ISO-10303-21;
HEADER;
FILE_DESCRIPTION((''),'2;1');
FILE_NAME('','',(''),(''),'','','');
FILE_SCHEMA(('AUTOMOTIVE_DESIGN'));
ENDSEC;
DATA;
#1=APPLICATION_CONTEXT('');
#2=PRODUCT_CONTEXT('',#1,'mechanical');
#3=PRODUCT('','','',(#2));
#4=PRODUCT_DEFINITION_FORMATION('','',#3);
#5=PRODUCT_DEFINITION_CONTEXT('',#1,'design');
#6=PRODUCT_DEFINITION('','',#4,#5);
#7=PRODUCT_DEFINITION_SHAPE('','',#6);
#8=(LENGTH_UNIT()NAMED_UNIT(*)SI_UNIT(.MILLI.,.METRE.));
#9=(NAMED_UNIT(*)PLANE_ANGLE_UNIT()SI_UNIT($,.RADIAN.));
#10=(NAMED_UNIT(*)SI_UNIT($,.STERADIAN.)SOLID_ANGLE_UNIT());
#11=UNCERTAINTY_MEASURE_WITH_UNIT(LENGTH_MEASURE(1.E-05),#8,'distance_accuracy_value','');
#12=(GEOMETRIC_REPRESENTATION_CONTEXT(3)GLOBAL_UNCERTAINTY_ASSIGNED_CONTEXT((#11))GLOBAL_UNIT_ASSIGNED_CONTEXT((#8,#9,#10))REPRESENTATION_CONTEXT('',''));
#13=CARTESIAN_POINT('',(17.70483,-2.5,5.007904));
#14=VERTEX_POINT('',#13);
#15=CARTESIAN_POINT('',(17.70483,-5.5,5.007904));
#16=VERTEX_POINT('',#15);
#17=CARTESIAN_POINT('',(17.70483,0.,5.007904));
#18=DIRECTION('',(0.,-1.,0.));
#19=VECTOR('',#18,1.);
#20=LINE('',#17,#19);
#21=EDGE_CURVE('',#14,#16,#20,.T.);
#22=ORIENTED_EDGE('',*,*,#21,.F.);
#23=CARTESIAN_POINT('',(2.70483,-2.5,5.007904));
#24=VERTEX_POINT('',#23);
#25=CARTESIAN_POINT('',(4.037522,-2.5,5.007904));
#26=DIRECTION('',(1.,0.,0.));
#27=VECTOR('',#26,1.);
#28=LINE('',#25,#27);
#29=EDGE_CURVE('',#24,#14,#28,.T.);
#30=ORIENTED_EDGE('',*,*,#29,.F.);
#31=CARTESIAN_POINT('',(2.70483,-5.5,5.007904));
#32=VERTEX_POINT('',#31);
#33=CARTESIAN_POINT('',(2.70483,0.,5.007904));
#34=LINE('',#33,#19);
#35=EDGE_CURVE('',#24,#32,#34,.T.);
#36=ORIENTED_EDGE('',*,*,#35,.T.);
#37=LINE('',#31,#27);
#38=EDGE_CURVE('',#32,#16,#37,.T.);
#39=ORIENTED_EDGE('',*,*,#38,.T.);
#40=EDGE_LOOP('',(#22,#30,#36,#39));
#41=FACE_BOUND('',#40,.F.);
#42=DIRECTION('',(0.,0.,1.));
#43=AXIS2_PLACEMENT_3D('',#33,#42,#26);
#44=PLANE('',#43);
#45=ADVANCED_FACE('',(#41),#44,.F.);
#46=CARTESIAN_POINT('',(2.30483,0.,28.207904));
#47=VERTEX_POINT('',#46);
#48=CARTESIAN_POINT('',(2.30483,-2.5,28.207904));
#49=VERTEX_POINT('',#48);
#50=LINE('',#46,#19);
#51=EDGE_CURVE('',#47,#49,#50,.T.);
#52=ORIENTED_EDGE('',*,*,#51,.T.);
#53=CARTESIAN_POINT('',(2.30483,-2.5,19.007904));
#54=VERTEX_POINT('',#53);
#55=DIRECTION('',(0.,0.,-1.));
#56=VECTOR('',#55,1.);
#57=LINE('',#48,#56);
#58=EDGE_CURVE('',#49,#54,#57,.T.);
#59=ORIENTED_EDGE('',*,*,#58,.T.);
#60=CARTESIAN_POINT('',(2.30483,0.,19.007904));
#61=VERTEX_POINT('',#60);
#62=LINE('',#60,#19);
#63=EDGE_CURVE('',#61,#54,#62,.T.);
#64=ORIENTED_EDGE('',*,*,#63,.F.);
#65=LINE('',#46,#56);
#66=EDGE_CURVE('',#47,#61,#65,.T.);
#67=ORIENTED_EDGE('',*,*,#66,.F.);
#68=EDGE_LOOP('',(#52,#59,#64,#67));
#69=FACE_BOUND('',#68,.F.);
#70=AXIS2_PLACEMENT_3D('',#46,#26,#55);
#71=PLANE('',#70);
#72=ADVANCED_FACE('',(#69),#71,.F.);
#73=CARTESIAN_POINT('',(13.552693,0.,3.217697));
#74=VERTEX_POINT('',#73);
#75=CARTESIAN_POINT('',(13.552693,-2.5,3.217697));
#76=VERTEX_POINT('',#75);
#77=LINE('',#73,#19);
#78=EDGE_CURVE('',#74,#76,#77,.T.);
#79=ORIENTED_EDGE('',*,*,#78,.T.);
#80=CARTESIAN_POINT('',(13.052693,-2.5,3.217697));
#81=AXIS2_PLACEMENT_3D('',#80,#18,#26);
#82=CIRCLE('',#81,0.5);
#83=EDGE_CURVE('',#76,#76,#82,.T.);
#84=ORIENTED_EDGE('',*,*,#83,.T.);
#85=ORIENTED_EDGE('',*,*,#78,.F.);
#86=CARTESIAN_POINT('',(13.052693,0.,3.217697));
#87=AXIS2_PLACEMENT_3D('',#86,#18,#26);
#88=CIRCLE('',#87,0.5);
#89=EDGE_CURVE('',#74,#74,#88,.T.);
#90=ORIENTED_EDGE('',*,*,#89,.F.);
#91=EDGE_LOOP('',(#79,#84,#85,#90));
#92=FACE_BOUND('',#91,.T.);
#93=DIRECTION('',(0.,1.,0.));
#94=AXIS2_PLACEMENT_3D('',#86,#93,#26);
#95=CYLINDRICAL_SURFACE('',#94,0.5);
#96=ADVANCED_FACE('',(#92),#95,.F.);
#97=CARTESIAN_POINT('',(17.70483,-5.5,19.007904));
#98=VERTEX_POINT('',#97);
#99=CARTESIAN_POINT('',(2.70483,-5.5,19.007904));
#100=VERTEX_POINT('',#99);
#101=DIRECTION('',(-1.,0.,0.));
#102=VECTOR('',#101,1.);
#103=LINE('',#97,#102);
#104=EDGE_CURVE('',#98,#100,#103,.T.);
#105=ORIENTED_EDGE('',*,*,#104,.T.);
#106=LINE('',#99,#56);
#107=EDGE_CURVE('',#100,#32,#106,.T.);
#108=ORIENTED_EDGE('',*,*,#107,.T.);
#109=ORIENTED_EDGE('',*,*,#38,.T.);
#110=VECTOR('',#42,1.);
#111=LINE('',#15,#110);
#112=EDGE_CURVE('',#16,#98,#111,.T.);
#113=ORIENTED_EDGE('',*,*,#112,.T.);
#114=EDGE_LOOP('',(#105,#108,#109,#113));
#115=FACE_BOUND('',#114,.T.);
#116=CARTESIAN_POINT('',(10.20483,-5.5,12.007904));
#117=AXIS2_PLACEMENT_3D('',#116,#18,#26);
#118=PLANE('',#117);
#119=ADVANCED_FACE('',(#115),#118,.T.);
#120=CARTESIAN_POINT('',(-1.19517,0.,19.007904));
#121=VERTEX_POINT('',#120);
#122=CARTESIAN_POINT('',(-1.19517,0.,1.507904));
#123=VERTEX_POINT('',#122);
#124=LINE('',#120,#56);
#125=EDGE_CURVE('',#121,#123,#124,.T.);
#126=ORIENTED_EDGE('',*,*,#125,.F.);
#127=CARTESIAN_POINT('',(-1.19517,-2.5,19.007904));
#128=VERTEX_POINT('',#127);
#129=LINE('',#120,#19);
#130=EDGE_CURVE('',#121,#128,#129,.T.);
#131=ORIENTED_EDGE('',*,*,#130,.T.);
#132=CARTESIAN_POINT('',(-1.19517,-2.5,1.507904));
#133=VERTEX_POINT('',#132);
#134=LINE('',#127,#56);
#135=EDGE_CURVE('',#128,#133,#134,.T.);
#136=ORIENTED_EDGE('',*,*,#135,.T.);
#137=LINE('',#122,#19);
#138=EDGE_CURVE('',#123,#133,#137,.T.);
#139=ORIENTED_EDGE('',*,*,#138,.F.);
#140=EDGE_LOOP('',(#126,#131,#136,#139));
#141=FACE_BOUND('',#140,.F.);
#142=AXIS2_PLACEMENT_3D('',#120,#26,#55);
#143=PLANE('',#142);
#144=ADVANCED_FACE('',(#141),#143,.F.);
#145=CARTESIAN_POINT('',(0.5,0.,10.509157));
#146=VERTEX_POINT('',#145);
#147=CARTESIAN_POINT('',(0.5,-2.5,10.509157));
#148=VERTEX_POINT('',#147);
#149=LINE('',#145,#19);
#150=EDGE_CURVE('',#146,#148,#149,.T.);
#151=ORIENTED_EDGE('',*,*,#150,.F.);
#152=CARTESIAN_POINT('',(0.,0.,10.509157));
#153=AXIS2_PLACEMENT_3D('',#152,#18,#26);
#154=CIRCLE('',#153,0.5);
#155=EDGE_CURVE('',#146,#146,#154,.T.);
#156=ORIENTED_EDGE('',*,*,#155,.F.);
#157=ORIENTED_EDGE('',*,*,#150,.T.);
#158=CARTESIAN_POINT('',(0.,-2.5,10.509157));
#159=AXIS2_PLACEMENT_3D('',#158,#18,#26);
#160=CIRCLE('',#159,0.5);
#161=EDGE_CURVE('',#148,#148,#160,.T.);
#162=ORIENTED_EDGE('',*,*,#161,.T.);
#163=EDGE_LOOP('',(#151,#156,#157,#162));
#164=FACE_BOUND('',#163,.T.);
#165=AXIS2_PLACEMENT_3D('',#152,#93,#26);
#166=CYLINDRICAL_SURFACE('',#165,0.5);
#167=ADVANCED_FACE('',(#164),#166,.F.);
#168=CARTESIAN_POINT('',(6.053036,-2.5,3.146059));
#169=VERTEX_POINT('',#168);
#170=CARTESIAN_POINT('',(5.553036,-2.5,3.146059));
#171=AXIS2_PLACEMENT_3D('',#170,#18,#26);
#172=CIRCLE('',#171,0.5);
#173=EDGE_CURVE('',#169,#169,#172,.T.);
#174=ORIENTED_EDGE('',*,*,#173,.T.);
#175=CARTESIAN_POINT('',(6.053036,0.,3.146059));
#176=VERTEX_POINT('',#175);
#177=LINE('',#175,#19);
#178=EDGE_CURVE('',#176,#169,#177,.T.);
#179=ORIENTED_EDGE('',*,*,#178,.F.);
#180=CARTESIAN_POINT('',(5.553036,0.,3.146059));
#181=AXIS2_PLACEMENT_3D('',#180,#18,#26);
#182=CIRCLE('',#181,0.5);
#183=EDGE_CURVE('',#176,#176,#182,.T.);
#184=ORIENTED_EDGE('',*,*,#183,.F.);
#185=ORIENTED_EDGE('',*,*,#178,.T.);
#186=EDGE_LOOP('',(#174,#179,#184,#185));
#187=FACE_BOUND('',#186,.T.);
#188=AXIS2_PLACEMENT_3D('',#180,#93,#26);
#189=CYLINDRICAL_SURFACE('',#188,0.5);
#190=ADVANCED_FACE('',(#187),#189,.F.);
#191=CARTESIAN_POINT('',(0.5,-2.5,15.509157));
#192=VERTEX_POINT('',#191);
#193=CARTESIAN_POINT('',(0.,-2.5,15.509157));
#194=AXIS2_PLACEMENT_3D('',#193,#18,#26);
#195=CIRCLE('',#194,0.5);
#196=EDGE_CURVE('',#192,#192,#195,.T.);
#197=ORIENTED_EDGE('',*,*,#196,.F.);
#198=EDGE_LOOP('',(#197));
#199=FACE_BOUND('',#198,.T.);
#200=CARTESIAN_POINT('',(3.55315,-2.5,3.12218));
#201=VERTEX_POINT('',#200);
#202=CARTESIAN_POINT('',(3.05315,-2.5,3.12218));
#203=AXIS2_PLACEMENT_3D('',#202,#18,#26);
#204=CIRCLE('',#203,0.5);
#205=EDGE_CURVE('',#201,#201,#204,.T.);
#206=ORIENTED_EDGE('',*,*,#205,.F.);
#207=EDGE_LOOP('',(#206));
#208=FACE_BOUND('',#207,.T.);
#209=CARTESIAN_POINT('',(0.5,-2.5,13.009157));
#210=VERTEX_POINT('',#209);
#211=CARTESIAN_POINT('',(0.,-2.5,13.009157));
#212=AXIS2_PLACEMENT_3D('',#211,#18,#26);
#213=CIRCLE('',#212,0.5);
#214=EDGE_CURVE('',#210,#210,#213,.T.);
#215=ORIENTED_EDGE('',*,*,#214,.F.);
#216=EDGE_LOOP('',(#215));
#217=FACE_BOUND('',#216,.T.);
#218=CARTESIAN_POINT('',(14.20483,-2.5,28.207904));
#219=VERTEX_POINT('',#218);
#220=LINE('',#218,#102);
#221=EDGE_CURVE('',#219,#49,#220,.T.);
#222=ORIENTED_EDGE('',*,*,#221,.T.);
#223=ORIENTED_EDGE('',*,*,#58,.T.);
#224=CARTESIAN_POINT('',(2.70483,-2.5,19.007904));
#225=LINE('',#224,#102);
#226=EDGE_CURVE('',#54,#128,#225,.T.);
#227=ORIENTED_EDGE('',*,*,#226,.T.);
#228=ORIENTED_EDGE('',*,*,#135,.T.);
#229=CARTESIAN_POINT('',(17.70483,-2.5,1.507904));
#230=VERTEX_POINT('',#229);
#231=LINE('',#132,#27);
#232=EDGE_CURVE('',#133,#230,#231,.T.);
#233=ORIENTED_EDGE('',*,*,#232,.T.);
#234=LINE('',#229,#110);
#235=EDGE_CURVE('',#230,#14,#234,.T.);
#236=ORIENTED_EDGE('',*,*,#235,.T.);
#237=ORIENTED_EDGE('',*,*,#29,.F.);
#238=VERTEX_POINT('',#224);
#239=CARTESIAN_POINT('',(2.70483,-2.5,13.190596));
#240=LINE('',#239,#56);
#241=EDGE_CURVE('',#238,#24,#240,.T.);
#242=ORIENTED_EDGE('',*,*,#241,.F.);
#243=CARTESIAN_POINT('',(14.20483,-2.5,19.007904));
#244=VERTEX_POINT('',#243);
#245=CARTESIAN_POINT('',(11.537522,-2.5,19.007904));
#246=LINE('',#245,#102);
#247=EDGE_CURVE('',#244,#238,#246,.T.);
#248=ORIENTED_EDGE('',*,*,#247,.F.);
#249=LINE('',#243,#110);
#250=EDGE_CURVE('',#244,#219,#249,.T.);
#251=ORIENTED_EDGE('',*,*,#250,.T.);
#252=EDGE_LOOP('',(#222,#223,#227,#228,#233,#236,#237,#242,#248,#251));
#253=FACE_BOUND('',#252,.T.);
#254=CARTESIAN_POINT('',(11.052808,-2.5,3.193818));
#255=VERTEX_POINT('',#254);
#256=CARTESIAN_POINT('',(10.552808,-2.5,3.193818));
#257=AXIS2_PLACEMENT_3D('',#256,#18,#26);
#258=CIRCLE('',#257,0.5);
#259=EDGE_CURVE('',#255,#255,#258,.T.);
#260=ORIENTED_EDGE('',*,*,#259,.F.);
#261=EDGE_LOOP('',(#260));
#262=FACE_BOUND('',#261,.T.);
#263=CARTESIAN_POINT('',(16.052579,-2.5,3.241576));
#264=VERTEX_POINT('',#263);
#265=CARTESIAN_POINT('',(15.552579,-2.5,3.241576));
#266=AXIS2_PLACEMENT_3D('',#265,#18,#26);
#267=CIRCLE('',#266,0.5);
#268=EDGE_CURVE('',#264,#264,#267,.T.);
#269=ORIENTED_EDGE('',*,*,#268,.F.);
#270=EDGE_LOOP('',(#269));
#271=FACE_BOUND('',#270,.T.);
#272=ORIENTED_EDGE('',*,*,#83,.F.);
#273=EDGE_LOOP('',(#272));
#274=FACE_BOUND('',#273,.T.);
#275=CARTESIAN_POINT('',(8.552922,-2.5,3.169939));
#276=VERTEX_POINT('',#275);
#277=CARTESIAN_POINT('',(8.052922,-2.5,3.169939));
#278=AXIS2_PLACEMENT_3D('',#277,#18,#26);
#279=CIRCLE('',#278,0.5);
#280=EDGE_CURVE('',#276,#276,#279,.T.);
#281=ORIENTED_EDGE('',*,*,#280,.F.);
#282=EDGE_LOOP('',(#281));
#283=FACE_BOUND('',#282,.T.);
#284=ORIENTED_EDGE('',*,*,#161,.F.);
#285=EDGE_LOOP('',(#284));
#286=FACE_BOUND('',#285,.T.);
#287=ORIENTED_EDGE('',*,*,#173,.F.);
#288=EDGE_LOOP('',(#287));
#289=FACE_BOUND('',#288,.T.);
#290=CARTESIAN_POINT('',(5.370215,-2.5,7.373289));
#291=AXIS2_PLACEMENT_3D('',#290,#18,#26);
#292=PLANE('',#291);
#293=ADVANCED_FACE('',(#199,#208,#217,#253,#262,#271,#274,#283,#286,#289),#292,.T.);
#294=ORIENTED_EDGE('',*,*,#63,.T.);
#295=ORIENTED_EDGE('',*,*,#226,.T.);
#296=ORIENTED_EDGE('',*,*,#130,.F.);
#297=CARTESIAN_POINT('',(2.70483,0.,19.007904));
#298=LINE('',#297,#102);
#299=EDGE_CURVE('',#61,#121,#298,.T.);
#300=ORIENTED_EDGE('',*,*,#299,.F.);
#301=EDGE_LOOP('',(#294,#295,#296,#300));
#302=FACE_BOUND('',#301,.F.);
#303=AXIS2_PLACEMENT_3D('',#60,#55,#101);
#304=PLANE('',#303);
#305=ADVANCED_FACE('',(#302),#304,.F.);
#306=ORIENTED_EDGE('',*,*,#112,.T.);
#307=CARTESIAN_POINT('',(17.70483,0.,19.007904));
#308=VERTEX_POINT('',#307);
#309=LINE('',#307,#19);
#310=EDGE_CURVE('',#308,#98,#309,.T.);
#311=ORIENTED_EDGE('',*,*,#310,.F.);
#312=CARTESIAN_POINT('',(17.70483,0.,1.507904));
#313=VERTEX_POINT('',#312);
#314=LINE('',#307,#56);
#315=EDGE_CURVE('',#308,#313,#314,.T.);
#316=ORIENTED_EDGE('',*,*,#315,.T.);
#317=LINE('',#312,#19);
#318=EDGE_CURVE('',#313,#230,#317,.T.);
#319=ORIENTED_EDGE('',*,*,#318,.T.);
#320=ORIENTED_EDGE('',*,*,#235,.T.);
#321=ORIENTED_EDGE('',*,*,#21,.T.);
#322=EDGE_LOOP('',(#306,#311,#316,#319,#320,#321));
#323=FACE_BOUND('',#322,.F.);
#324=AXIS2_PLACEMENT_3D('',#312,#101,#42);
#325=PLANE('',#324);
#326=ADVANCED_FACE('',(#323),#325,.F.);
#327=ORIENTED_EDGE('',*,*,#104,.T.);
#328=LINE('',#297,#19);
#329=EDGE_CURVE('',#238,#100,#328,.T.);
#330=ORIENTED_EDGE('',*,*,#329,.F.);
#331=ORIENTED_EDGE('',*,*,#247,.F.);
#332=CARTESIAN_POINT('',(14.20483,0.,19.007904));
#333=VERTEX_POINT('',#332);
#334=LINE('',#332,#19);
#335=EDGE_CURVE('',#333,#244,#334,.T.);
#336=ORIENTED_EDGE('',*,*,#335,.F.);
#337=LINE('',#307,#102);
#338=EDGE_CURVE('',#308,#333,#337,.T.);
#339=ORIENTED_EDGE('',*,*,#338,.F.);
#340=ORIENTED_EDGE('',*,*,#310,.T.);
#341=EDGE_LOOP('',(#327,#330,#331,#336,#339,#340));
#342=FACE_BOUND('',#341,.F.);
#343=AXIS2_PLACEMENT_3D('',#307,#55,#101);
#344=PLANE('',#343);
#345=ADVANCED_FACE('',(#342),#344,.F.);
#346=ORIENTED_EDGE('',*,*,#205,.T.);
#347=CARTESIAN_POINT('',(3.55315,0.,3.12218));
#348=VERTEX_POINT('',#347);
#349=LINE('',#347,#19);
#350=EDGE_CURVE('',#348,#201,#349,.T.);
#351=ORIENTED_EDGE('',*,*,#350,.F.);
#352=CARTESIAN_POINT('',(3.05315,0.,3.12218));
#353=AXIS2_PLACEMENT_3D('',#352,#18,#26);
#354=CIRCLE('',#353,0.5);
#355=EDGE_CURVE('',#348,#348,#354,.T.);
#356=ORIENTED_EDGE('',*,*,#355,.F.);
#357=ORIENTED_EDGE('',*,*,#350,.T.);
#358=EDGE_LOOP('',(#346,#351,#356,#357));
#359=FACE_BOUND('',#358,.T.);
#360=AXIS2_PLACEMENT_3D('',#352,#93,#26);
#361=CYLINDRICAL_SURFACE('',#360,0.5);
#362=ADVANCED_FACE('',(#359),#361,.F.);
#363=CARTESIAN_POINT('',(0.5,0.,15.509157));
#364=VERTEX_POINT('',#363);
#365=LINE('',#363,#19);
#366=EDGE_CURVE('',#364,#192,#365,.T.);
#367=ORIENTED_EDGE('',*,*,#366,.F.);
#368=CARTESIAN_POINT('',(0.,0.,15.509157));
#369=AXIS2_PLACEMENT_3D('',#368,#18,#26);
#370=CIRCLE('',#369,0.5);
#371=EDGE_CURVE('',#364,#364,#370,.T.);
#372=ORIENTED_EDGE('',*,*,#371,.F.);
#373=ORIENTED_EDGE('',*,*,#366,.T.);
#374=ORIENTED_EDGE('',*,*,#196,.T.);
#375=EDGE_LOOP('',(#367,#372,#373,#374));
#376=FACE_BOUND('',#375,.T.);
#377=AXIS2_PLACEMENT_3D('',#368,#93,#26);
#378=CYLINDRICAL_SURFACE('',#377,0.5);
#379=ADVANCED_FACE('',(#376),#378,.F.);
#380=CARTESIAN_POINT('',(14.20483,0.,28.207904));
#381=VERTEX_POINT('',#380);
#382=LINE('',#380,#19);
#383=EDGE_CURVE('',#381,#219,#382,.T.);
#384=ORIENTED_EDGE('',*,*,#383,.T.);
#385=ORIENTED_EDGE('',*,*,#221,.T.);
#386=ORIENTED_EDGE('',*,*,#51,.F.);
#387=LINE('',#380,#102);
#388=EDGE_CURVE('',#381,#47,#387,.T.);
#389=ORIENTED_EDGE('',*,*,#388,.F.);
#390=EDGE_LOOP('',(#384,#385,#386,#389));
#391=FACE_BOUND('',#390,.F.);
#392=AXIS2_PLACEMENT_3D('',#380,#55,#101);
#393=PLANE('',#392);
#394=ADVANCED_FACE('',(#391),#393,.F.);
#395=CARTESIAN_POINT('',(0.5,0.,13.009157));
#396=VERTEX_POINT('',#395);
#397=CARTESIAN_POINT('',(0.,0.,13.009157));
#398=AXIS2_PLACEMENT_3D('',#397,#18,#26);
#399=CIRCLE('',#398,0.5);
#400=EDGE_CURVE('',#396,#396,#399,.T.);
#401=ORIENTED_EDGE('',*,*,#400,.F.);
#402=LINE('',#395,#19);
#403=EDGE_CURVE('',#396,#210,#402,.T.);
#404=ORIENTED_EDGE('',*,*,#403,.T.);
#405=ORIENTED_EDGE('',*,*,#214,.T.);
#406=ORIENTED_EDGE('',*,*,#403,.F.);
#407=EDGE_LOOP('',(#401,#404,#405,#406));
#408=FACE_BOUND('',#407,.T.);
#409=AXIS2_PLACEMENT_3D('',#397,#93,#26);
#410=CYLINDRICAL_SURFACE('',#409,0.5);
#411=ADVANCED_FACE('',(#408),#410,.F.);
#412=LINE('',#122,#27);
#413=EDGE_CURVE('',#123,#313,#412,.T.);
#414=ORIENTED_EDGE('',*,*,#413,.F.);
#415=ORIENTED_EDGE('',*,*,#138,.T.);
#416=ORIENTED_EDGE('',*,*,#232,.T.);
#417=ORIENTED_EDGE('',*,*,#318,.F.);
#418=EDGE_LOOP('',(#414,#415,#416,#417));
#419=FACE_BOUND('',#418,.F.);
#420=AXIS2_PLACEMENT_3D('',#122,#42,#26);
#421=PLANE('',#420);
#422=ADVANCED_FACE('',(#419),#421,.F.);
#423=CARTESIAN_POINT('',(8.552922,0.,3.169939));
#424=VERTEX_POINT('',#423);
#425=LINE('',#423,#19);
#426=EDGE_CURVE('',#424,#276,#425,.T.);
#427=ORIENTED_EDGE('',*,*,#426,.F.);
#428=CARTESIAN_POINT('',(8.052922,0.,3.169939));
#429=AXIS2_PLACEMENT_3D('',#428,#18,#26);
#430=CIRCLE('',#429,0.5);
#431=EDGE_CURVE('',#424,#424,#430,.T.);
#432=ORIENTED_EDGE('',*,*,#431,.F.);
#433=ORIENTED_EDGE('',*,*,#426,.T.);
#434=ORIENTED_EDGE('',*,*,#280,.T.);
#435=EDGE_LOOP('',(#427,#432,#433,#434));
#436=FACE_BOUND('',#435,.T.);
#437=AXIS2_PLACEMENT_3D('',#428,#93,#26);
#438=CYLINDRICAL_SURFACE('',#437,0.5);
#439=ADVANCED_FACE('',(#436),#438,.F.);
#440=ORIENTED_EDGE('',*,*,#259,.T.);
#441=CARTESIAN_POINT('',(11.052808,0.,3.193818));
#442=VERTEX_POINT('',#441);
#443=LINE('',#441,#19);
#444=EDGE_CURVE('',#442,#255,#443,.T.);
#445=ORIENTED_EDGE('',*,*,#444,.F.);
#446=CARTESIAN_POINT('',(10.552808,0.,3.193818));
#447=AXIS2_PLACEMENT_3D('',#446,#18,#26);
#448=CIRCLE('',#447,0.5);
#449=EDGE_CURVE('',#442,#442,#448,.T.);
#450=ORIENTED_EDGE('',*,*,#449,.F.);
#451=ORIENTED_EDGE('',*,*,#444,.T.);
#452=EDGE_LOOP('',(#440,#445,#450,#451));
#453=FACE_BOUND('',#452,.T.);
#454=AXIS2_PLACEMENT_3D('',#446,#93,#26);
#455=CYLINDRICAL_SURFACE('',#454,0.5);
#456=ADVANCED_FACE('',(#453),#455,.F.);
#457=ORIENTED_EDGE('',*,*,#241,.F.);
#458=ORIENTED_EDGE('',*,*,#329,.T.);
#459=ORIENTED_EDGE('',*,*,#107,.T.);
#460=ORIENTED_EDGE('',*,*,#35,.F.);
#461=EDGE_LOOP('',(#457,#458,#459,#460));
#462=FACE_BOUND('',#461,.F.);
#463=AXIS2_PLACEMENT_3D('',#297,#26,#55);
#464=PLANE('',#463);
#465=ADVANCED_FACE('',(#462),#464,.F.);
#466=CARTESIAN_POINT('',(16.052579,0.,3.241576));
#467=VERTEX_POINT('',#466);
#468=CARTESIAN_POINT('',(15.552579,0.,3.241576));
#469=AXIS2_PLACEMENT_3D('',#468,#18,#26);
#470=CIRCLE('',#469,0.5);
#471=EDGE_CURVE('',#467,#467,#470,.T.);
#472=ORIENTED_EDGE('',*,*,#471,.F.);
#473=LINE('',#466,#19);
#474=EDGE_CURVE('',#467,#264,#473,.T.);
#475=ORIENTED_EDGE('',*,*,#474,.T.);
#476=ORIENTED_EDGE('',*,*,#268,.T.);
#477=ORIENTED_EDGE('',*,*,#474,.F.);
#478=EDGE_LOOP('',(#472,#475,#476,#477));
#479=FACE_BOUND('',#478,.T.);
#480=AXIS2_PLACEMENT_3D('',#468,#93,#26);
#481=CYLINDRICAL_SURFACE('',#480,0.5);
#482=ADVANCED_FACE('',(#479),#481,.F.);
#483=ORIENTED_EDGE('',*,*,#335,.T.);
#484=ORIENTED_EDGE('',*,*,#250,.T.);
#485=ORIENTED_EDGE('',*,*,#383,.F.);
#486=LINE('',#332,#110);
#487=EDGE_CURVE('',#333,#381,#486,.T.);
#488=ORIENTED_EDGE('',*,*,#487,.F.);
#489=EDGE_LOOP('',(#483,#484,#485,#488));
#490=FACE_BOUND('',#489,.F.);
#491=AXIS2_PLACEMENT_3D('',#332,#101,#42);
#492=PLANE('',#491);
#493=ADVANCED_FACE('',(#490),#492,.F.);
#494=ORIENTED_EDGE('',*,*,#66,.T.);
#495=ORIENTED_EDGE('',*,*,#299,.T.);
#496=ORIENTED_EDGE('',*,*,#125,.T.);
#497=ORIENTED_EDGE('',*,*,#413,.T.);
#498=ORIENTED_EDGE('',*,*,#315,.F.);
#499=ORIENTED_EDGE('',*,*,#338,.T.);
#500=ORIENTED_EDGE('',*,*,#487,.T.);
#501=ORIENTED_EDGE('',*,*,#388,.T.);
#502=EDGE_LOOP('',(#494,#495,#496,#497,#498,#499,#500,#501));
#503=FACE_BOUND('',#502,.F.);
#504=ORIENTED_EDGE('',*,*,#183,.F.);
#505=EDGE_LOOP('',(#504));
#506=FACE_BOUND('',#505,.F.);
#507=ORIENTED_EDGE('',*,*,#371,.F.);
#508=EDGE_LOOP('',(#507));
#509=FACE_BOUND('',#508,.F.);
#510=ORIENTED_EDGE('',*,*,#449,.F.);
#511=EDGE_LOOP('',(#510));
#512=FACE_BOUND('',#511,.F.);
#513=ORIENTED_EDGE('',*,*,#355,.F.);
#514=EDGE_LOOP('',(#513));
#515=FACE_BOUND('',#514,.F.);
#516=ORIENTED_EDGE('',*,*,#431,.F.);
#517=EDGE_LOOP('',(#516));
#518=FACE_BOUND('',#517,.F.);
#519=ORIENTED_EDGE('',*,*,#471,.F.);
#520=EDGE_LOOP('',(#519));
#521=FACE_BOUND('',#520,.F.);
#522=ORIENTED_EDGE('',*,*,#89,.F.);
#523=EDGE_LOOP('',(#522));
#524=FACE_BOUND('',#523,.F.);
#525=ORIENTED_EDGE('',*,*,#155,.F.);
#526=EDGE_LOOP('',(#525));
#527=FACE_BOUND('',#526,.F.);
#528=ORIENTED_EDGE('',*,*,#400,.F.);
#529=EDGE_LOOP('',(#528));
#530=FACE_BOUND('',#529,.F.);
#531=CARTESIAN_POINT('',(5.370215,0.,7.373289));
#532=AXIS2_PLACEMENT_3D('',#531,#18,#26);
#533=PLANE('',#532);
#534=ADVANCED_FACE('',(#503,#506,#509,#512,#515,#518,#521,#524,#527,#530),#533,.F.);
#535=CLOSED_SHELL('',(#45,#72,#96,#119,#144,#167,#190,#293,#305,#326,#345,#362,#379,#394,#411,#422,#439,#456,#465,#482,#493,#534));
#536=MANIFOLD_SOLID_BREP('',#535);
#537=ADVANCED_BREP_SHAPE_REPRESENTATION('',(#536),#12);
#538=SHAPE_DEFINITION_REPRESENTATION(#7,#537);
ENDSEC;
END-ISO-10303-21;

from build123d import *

# Parameters (mm, degrees)
F1_DEPTH = 5.5
F0_R     = 0.5
F2_DEPTH = 2.5


with BuildPart() as f1:
    # F0 (on Front) → F1 (new body)
    with BuildSketch(Plane.XZ):
        Polygon((14.10483, 19.007904), (2.70483, 19.007904), (2.70483, 5.007904), (17.70483, 5.007904), (17.70483, 19.007904), (14.864999, 19.007904), (14.50483, 19.007904), (14.20483, 19.007904), align=None)
    extrude(amount=F1_DEPTH)

    # F0 (on Front) → F2 (join)
    with BuildSketch(Plane.XZ):
        Polygon((2.30483, 19.007904), (-1.19517, 19.007904), (-1.19517, 1.507904), (17.70483, 1.507904), (17.70483, 5.007904), (2.70483, 5.007904), (2.70483, 19.007904), align=None)
        with Locations((3.05315, 3.12218)):
            Circle(F0_R, mode=Mode.SUBTRACT)
        with Locations((5.553036, 3.146059)):
            Circle(F0_R, mode=Mode.SUBTRACT)
        with Locations((8.052922, 3.169939)):
            Circle(F0_R, mode=Mode.SUBTRACT)
        with Locations((0, 10.509157)):
            Circle(F0_R, mode=Mode.SUBTRACT)
        with Locations((0, 13.009157)):
            Circle(F0_R, mode=Mode.SUBTRACT)
        with Locations((10.552808, 3.193818)):
            Circle(F0_R, mode=Mode.SUBTRACT)
        with Locations((13.052693, 3.217697)):
            Circle(F0_R, mode=Mode.SUBTRACT)
        with Locations((15.552579, 3.241576)):
            Circle(F0_R, mode=Mode.SUBTRACT)
        with Locations((0, 15.509157)):
            Circle(F0_R, mode=Mode.SUBTRACT)
        Polygon((2.30483, 28.207904), (2.30483, 19.007904), (2.70483, 19.007904), (14.10483, 19.007904), (14.20483, 19.007904), (14.20483, 28.207904), align=None)
        Polygon((14.10483, 19.007904), (2.70483, 19.007904), (2.70483, 5.007904), (17.70483, 5.007904), (17.70483, 19.007904), (14.864999, 19.007904), (14.50483, 19.007904), (14.20483, 19.007904), align=None)
    extrude(amount=F2_DEPTH)


solid = f1.part
